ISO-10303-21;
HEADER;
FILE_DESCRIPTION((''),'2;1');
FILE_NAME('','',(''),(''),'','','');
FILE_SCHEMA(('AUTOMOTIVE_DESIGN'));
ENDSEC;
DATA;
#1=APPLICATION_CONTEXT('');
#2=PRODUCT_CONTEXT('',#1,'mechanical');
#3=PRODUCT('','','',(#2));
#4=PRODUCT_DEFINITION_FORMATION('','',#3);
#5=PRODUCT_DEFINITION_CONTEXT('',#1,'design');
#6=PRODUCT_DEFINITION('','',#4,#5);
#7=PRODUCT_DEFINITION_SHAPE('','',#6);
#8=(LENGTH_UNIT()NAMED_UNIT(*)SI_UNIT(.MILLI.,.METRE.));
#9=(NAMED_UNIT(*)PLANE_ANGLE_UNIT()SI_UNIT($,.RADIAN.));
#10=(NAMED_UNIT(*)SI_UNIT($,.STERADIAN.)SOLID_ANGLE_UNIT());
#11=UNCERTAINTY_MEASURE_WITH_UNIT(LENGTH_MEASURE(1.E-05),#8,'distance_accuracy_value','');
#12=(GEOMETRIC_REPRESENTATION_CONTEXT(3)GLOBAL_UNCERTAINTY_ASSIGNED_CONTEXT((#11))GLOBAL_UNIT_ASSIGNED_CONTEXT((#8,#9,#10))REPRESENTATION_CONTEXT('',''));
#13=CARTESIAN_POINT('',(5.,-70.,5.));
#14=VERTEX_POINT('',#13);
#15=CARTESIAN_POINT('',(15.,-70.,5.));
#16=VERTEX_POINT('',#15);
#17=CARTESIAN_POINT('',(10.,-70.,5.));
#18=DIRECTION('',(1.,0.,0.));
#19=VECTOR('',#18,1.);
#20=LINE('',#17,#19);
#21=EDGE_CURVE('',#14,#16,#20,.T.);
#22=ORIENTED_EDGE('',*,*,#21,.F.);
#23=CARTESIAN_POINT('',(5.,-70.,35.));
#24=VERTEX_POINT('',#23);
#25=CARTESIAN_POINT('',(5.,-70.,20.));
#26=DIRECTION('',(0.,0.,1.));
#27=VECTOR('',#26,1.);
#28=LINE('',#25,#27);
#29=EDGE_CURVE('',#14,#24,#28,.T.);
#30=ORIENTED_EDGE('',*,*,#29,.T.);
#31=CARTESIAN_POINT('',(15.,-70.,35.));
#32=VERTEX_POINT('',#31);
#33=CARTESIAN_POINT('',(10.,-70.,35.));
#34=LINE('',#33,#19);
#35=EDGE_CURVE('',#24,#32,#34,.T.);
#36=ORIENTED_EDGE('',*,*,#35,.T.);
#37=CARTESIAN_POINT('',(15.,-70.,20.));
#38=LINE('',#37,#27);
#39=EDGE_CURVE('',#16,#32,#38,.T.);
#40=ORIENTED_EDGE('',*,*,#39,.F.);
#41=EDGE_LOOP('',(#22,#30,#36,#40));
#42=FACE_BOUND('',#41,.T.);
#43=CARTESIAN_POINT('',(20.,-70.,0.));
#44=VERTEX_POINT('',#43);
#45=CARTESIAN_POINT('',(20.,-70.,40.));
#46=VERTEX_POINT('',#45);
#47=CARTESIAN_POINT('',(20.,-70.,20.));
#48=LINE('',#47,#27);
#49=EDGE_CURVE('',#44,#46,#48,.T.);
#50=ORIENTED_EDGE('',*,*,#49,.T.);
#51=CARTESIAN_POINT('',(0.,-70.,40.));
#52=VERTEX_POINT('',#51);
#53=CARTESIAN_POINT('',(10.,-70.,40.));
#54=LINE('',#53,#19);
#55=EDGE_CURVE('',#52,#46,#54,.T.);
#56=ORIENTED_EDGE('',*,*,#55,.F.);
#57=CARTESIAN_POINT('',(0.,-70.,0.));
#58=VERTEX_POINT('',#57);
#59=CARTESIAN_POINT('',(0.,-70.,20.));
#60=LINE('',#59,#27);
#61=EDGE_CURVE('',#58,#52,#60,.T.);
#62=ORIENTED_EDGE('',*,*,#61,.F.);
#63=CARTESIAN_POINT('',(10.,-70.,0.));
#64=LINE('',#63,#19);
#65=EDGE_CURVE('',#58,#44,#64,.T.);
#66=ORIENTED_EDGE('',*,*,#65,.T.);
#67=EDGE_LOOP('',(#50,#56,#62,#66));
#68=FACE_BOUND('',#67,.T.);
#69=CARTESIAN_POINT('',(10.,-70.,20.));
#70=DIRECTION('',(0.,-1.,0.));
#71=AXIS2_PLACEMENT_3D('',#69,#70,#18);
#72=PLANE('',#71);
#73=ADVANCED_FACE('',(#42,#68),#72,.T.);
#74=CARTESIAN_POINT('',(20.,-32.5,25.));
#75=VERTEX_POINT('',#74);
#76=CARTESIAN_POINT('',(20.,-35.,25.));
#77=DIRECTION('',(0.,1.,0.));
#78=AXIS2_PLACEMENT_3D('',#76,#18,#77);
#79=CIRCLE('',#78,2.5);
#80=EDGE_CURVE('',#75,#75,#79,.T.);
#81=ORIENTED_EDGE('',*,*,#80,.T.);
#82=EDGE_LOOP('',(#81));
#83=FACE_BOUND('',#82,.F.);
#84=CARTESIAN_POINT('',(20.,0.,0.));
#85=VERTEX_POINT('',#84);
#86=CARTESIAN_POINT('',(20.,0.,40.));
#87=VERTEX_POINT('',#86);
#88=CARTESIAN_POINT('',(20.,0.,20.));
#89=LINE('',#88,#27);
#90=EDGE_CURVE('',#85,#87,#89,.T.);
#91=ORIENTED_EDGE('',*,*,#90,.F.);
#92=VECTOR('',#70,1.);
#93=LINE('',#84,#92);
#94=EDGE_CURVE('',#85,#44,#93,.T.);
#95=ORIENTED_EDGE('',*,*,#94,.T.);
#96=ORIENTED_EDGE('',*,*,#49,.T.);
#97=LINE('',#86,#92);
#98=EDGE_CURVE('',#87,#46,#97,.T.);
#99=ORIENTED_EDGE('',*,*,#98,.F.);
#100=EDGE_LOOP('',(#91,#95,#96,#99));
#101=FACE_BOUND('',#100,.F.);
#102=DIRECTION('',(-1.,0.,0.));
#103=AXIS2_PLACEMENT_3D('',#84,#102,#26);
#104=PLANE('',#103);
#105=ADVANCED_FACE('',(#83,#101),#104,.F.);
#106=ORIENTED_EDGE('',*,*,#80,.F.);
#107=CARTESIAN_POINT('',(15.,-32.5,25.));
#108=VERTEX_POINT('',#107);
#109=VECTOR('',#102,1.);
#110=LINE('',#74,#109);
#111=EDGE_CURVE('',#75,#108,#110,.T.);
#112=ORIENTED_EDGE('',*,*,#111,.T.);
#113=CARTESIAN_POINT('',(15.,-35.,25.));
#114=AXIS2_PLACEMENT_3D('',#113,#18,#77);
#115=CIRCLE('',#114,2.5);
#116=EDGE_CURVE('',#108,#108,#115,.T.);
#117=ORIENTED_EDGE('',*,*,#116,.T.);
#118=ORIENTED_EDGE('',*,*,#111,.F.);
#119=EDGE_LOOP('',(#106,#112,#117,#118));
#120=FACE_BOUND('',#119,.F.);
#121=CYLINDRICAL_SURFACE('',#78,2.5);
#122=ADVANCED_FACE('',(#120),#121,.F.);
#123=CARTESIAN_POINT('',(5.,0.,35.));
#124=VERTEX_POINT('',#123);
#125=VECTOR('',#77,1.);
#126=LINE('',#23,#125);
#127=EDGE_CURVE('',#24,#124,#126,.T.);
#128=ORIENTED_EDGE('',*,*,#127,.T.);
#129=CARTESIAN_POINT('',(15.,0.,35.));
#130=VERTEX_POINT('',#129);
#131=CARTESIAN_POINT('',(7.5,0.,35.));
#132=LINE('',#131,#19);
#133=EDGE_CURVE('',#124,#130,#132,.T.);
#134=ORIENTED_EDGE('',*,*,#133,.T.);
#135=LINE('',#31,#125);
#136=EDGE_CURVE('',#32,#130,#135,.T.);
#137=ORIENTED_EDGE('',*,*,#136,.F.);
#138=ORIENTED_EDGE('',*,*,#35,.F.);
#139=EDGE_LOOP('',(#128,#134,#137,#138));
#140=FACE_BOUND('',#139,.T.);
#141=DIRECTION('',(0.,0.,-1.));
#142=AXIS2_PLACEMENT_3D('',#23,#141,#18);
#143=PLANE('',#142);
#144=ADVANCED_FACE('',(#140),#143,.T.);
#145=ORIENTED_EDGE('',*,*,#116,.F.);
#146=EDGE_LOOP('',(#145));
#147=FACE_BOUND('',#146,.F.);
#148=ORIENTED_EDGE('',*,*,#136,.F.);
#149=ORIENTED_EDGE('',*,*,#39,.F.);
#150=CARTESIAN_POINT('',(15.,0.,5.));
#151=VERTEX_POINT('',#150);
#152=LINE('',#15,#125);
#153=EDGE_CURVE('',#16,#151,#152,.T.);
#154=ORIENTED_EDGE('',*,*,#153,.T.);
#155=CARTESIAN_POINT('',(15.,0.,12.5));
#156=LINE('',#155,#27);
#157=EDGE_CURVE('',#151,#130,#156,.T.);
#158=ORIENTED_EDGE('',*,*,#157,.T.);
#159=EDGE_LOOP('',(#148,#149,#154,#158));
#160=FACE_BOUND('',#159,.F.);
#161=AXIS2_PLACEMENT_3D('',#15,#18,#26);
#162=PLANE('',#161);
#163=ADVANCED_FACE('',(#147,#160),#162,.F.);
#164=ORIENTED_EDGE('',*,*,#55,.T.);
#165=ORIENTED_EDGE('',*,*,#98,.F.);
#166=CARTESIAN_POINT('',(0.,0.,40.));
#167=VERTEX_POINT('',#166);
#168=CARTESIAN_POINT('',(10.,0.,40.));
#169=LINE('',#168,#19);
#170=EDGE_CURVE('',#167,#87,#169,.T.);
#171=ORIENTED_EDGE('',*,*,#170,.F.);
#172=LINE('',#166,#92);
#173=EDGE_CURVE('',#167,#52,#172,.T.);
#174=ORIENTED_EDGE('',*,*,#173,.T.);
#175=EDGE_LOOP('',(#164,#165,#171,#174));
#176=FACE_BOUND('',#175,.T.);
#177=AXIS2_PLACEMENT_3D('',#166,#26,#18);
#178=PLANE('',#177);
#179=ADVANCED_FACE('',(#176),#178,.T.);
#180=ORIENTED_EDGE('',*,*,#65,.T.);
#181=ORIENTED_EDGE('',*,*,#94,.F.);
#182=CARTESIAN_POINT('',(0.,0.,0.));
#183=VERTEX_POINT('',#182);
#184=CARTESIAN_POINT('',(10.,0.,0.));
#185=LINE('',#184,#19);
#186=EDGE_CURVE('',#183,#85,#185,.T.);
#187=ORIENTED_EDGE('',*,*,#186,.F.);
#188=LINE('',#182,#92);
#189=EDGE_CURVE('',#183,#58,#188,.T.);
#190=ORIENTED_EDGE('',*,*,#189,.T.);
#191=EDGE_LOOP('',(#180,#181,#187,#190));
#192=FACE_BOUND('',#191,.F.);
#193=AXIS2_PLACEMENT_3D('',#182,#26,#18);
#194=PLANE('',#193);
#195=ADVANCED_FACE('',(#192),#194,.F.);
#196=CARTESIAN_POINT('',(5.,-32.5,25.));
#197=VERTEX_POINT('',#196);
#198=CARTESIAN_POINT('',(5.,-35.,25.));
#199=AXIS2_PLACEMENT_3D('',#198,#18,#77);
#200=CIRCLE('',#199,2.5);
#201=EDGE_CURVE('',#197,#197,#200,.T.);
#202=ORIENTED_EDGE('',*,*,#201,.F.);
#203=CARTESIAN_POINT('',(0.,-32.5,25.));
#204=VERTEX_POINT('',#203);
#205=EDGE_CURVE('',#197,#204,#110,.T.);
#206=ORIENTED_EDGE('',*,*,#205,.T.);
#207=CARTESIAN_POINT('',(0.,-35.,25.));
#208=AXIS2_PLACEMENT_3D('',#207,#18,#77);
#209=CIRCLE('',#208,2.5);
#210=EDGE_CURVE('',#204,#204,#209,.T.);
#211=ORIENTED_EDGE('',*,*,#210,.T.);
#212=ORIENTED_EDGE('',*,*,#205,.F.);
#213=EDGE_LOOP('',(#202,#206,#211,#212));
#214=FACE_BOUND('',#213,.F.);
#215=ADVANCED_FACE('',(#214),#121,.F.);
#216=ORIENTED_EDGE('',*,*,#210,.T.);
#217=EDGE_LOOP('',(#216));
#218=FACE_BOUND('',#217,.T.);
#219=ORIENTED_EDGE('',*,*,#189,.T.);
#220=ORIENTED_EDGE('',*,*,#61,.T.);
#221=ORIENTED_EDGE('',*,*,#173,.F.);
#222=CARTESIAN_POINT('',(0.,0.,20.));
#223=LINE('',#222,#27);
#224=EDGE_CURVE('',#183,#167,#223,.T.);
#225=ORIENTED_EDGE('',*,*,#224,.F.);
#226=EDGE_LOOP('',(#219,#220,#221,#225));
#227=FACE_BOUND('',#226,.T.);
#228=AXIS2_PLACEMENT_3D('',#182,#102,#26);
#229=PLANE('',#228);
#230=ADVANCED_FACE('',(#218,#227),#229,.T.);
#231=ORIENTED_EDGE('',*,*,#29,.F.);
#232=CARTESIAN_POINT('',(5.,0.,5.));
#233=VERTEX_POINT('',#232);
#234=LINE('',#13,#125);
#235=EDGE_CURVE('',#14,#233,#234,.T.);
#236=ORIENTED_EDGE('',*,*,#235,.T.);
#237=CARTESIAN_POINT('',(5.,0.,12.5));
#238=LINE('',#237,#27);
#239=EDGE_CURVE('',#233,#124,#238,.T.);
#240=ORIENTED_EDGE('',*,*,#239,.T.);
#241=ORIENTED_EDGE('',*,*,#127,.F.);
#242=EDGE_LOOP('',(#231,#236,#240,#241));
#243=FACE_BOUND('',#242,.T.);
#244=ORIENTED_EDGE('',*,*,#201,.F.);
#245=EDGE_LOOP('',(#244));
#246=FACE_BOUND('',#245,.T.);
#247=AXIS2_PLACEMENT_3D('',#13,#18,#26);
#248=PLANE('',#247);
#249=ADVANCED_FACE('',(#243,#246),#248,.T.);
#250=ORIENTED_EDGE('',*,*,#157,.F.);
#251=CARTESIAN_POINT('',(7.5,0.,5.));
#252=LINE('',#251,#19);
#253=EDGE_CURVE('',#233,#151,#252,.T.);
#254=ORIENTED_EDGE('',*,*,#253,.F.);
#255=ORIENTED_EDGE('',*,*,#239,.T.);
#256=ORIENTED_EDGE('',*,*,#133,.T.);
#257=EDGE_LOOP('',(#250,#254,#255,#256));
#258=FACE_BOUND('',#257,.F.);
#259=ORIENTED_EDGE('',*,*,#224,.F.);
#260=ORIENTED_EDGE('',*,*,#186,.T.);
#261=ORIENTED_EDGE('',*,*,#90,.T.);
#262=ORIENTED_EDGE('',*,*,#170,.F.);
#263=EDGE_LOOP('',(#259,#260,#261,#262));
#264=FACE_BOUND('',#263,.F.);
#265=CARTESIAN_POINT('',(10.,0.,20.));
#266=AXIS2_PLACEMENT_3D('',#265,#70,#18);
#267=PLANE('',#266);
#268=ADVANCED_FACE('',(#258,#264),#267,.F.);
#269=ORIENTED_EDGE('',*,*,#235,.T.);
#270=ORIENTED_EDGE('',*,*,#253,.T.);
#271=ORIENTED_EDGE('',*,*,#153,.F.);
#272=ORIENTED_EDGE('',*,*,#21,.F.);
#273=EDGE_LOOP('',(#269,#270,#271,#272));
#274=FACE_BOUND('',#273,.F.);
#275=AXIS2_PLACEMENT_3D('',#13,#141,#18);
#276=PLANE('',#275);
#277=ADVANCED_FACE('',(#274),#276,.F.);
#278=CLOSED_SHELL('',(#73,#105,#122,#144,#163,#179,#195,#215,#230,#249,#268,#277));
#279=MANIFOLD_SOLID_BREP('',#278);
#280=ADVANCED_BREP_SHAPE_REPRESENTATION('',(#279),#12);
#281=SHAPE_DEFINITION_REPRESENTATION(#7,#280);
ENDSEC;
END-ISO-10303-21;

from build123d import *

# Parameters (mm, degrees)
F0_W     = 20
F0_H     = 40
F1_DEPTH = 70
F2_R     = 2.5
F3_DEPTH = 20.001
F4_W     = 10
F4_H     = 30
F5_DEPTH = 70.001


with BuildPart() as f1:
    # F0 (on Front) → F1 (new body)
    with BuildSketch(Plane.XZ):
        with Locations((10, 20)):
            Rectangle(F0_W, F0_H)
    extrude(amount=F1_DEPTH)

    # F2 (on face) → F3 (cut, through all)
    with BuildSketch(Plane.YZ.offset(20)):
        with Locations((-35, 25)):
            Circle(F2_R)
    extrude(amount=-F3_DEPTH, mode=Mode.SUBTRACT)

    # F4 (on face) → F5 (cut, through all)
    with BuildSketch(Plane.XZ.offset(70)):
        with Locations((10, 20)):
            Rectangle(F4_W, F4_H)
    extrude(amount=-F5_DEPTH, mode=Mode.SUBTRACT)


solid = f1.part
